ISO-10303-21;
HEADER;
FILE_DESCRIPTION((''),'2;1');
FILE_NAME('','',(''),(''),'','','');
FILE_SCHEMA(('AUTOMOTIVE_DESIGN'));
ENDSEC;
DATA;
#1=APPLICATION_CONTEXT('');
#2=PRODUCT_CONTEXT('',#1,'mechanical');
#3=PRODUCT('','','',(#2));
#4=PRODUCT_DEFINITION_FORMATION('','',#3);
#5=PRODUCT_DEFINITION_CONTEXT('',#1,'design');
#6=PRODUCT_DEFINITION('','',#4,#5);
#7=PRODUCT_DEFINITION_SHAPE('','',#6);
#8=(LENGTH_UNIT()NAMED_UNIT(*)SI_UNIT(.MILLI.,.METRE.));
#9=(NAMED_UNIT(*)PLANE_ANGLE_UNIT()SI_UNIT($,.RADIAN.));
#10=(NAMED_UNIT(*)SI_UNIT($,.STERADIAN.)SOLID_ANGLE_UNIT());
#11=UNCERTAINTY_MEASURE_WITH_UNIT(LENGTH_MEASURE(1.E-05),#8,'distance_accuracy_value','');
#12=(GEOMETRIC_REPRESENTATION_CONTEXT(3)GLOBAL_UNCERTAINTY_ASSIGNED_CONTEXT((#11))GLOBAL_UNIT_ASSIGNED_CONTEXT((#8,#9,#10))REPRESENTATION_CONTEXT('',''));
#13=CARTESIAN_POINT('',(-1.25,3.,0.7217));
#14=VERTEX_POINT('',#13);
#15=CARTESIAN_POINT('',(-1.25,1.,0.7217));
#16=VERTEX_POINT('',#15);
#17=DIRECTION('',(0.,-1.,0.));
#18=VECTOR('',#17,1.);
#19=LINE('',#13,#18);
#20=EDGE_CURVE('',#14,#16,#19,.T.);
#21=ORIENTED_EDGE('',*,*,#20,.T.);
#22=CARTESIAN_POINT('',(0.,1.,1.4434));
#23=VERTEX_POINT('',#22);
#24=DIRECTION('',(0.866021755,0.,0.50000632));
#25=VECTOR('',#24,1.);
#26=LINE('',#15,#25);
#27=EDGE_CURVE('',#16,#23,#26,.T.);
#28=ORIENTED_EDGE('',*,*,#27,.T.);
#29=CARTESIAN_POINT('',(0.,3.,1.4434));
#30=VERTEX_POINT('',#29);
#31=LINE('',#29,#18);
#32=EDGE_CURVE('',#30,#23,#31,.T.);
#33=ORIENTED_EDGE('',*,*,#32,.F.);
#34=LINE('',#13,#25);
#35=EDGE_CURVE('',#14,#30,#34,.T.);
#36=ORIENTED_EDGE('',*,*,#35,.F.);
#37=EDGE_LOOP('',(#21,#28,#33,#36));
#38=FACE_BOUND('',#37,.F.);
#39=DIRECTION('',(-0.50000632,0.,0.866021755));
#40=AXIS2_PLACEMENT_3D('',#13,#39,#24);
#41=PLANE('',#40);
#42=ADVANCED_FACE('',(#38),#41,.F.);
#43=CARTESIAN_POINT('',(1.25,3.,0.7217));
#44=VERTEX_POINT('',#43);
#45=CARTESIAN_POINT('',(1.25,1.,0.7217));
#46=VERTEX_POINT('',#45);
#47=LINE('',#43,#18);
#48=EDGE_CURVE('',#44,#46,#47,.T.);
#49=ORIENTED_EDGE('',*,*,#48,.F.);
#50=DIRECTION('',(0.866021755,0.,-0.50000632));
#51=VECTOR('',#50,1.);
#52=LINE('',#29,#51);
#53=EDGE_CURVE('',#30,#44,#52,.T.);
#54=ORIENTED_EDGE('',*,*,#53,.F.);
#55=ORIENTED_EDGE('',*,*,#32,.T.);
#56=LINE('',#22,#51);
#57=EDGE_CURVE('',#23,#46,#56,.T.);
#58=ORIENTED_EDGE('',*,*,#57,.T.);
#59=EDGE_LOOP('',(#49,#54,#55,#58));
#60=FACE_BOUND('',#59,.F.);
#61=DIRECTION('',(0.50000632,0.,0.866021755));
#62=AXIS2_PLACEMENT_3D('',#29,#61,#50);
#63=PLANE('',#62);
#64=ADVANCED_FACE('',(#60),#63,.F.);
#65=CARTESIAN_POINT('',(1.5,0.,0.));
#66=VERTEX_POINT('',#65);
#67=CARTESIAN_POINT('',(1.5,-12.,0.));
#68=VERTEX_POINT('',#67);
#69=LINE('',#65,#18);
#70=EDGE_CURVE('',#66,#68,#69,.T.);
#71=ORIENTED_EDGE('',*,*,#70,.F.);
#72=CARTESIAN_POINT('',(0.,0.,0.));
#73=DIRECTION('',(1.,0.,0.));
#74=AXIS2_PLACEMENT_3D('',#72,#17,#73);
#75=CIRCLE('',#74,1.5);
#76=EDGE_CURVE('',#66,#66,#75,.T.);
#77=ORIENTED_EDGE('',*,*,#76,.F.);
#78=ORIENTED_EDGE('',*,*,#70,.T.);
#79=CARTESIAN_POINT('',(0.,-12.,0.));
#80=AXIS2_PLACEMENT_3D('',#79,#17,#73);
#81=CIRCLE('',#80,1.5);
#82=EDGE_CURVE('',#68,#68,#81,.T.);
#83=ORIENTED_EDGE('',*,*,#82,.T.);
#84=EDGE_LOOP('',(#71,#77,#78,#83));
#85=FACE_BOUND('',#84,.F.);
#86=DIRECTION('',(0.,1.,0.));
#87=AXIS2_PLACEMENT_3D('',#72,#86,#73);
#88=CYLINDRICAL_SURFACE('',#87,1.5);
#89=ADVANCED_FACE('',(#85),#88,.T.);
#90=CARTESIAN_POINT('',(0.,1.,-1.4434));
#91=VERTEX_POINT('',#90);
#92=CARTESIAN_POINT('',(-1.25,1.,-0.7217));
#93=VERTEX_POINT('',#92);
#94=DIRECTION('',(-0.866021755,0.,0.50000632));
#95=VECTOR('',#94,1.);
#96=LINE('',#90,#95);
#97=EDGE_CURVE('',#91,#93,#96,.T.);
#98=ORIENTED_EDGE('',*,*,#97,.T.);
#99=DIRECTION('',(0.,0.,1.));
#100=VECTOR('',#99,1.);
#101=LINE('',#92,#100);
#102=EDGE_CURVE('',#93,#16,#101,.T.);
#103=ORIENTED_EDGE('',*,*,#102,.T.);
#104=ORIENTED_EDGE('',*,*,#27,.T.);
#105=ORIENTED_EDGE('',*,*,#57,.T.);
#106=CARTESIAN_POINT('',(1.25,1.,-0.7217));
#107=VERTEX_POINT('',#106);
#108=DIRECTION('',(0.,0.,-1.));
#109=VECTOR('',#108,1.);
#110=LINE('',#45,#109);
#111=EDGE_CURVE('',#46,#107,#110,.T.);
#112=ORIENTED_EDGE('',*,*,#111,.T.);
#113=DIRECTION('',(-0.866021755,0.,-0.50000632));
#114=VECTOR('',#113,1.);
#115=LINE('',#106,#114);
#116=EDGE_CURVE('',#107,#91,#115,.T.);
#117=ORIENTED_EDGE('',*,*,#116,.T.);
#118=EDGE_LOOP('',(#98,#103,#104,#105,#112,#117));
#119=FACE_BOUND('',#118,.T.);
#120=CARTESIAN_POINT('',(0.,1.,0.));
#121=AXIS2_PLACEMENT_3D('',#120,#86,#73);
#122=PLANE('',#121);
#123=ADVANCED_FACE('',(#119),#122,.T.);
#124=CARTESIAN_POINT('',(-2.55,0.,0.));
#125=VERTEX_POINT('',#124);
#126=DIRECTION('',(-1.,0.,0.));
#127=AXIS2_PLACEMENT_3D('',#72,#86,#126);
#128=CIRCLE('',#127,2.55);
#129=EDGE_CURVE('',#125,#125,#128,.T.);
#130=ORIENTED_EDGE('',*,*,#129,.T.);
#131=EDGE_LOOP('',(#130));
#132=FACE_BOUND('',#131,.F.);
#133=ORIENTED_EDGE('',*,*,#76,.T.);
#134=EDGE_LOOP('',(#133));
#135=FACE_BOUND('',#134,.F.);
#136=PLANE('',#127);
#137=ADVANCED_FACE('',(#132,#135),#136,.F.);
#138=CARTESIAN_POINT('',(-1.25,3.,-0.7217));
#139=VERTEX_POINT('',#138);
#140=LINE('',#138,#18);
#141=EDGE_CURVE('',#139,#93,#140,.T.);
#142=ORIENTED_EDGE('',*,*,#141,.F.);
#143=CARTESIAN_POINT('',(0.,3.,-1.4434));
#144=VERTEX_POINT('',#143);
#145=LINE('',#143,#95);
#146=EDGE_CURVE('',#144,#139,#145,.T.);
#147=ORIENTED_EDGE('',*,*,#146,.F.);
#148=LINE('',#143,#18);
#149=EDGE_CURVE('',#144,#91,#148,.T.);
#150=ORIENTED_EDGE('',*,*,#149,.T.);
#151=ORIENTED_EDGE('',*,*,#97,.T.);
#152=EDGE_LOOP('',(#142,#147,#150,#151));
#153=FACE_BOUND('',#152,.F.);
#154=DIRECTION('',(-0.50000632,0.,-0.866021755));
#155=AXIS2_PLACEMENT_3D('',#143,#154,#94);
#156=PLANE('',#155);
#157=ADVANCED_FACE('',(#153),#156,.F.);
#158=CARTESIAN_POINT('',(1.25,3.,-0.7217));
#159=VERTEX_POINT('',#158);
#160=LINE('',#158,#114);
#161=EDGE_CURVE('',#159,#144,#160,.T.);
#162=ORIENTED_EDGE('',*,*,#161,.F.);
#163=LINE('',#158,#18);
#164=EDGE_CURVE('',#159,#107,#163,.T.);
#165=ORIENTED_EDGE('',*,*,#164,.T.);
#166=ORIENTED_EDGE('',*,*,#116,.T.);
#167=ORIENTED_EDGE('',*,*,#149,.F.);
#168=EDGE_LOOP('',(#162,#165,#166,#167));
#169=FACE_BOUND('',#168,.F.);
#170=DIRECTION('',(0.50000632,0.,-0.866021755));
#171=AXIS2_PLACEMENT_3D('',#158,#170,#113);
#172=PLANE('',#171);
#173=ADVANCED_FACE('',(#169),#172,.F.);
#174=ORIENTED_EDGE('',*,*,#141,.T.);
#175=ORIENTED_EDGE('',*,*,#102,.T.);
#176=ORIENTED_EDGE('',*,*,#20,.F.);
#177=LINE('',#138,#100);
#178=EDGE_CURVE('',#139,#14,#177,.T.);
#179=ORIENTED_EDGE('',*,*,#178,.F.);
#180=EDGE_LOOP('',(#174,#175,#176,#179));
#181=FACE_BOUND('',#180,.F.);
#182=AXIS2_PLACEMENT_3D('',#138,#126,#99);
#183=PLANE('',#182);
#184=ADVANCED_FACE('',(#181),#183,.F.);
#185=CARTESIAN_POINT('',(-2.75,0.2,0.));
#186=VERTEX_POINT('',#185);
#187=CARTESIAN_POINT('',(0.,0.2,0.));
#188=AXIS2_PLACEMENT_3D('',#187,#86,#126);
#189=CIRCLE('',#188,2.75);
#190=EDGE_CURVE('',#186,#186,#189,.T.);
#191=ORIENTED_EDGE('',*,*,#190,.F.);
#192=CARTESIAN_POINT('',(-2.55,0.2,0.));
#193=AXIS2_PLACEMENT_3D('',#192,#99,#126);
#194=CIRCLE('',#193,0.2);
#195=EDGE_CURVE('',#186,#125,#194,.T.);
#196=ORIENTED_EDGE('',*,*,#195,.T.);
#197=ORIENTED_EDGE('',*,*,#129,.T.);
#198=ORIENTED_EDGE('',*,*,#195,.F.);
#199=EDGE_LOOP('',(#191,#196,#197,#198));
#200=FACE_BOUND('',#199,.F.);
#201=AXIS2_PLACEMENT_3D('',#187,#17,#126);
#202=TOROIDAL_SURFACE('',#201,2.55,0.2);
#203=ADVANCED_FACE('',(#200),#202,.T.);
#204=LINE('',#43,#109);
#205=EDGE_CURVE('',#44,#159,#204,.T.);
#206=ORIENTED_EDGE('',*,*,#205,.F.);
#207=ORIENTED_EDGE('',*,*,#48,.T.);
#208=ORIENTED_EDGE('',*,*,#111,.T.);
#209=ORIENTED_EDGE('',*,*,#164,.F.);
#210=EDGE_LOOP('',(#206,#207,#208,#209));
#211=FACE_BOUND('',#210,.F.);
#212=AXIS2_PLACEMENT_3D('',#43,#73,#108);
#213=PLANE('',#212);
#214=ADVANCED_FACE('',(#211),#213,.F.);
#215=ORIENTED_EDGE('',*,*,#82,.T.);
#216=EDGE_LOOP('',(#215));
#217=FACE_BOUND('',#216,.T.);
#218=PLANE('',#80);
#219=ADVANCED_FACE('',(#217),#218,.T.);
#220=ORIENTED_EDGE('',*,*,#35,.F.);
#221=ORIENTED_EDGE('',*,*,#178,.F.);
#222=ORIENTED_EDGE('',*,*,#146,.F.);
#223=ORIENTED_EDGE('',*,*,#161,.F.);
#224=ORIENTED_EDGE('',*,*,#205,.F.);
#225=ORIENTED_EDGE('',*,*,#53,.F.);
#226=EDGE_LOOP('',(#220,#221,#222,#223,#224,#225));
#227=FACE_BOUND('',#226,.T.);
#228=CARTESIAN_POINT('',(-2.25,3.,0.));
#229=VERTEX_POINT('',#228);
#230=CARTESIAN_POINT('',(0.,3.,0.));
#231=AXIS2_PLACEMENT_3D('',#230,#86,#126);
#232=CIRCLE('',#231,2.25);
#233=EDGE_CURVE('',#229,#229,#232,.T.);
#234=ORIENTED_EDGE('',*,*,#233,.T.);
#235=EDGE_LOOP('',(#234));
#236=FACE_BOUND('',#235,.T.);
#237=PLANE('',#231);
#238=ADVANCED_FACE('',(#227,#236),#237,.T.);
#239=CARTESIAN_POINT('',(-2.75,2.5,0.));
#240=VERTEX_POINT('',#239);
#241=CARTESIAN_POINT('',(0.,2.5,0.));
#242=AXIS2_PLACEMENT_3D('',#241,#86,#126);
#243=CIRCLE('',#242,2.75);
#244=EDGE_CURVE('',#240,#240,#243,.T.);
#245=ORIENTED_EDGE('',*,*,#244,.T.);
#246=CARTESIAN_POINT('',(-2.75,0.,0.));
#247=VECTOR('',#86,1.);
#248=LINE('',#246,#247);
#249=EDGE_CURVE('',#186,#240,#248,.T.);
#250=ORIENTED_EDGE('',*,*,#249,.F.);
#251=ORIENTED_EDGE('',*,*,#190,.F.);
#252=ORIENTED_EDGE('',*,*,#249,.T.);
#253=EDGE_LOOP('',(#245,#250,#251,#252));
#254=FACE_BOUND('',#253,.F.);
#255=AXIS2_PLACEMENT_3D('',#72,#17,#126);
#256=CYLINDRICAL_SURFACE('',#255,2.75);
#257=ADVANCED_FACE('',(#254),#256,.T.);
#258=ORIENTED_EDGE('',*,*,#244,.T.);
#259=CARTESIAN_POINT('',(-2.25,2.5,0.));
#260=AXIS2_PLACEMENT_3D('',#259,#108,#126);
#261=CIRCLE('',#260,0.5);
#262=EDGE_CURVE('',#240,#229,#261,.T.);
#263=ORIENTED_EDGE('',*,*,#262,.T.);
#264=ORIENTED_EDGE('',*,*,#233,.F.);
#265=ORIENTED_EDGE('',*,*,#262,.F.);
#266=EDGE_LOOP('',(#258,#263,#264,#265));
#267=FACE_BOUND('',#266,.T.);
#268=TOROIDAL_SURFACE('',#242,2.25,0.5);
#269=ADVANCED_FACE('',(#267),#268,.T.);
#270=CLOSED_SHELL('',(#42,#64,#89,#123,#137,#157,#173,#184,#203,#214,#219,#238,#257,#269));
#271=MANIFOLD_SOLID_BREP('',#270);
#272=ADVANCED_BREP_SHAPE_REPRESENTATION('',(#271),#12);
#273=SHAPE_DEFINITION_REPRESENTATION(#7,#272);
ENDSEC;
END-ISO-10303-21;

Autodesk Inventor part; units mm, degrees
ref_plane "YZ Plane" through (0, 0, 0) normal (1, 0, 0) x (0, 1, 0)
ref_plane "XZ Plane" through (0, 0, 0) normal (0, 1, 0) x (-1, 0, 0)
ref_plane "XY Plane" through (0, 0, 0) normal (0, 0, 1) x (1, 0, 0)
sketch "スケッチ1" plane through (0, 0, 0) normal (0, 1, 0) x (-1, 0, 0)
  circle A0 centre (0, 0) radius 2.75
  dimension "d0" = 5.5
extrude "押し出し1" add sketch "スケッチ1" along normal blind 3
sketch "スケッチ2" plane through (0, 0, 0) normal (0, -1, 0) x (1, 0, 0)
  circle A0 centre (0, 0) radius 1.5
  dimension "d3" = 3
extrude "押し出し2" add sketch "スケッチ2" along normal blind 12
fillet "フィレット1" radius 0.5 1 edges at (2.75, 3, 0)
fillet "フィレット1" radius 0.2 1 edges at (2.75, 0, 0)
sketch "スケッチ3" plane through (0, 3, 0) normal (0, 1, 0) x (1, 0, 0)
  line L0 (0, 1.4434) -> (-1.25, 0.7217)
  line L1 (-1.25, 0.7217) -> (-1.25, -0.7217)
  line L2 (-1.25, -0.7217) -> (0, -1.4434)
  line L3 (0, -1.4434) -> (1.25, -0.7217)
  line L4 (1.25, -0.7217) -> (1.25, 0.7217)
  line L5 (1.25, 0.7217) -> (0, 1.4434)
  line L6 (0, 1.4434) -> (0, -1.4434) construction
  circle A0 centre (0, 0) radius 1.4434 construction
  dimension "d12" = 2.5
extrude "押し出し3" cut sketch "スケッチ3" against normal blind 2
thread "ねじ1" size "M3x0.5" class "6g" standard "ANSI Metric M Profile" full length
properties part number "M3-CapScrew"
